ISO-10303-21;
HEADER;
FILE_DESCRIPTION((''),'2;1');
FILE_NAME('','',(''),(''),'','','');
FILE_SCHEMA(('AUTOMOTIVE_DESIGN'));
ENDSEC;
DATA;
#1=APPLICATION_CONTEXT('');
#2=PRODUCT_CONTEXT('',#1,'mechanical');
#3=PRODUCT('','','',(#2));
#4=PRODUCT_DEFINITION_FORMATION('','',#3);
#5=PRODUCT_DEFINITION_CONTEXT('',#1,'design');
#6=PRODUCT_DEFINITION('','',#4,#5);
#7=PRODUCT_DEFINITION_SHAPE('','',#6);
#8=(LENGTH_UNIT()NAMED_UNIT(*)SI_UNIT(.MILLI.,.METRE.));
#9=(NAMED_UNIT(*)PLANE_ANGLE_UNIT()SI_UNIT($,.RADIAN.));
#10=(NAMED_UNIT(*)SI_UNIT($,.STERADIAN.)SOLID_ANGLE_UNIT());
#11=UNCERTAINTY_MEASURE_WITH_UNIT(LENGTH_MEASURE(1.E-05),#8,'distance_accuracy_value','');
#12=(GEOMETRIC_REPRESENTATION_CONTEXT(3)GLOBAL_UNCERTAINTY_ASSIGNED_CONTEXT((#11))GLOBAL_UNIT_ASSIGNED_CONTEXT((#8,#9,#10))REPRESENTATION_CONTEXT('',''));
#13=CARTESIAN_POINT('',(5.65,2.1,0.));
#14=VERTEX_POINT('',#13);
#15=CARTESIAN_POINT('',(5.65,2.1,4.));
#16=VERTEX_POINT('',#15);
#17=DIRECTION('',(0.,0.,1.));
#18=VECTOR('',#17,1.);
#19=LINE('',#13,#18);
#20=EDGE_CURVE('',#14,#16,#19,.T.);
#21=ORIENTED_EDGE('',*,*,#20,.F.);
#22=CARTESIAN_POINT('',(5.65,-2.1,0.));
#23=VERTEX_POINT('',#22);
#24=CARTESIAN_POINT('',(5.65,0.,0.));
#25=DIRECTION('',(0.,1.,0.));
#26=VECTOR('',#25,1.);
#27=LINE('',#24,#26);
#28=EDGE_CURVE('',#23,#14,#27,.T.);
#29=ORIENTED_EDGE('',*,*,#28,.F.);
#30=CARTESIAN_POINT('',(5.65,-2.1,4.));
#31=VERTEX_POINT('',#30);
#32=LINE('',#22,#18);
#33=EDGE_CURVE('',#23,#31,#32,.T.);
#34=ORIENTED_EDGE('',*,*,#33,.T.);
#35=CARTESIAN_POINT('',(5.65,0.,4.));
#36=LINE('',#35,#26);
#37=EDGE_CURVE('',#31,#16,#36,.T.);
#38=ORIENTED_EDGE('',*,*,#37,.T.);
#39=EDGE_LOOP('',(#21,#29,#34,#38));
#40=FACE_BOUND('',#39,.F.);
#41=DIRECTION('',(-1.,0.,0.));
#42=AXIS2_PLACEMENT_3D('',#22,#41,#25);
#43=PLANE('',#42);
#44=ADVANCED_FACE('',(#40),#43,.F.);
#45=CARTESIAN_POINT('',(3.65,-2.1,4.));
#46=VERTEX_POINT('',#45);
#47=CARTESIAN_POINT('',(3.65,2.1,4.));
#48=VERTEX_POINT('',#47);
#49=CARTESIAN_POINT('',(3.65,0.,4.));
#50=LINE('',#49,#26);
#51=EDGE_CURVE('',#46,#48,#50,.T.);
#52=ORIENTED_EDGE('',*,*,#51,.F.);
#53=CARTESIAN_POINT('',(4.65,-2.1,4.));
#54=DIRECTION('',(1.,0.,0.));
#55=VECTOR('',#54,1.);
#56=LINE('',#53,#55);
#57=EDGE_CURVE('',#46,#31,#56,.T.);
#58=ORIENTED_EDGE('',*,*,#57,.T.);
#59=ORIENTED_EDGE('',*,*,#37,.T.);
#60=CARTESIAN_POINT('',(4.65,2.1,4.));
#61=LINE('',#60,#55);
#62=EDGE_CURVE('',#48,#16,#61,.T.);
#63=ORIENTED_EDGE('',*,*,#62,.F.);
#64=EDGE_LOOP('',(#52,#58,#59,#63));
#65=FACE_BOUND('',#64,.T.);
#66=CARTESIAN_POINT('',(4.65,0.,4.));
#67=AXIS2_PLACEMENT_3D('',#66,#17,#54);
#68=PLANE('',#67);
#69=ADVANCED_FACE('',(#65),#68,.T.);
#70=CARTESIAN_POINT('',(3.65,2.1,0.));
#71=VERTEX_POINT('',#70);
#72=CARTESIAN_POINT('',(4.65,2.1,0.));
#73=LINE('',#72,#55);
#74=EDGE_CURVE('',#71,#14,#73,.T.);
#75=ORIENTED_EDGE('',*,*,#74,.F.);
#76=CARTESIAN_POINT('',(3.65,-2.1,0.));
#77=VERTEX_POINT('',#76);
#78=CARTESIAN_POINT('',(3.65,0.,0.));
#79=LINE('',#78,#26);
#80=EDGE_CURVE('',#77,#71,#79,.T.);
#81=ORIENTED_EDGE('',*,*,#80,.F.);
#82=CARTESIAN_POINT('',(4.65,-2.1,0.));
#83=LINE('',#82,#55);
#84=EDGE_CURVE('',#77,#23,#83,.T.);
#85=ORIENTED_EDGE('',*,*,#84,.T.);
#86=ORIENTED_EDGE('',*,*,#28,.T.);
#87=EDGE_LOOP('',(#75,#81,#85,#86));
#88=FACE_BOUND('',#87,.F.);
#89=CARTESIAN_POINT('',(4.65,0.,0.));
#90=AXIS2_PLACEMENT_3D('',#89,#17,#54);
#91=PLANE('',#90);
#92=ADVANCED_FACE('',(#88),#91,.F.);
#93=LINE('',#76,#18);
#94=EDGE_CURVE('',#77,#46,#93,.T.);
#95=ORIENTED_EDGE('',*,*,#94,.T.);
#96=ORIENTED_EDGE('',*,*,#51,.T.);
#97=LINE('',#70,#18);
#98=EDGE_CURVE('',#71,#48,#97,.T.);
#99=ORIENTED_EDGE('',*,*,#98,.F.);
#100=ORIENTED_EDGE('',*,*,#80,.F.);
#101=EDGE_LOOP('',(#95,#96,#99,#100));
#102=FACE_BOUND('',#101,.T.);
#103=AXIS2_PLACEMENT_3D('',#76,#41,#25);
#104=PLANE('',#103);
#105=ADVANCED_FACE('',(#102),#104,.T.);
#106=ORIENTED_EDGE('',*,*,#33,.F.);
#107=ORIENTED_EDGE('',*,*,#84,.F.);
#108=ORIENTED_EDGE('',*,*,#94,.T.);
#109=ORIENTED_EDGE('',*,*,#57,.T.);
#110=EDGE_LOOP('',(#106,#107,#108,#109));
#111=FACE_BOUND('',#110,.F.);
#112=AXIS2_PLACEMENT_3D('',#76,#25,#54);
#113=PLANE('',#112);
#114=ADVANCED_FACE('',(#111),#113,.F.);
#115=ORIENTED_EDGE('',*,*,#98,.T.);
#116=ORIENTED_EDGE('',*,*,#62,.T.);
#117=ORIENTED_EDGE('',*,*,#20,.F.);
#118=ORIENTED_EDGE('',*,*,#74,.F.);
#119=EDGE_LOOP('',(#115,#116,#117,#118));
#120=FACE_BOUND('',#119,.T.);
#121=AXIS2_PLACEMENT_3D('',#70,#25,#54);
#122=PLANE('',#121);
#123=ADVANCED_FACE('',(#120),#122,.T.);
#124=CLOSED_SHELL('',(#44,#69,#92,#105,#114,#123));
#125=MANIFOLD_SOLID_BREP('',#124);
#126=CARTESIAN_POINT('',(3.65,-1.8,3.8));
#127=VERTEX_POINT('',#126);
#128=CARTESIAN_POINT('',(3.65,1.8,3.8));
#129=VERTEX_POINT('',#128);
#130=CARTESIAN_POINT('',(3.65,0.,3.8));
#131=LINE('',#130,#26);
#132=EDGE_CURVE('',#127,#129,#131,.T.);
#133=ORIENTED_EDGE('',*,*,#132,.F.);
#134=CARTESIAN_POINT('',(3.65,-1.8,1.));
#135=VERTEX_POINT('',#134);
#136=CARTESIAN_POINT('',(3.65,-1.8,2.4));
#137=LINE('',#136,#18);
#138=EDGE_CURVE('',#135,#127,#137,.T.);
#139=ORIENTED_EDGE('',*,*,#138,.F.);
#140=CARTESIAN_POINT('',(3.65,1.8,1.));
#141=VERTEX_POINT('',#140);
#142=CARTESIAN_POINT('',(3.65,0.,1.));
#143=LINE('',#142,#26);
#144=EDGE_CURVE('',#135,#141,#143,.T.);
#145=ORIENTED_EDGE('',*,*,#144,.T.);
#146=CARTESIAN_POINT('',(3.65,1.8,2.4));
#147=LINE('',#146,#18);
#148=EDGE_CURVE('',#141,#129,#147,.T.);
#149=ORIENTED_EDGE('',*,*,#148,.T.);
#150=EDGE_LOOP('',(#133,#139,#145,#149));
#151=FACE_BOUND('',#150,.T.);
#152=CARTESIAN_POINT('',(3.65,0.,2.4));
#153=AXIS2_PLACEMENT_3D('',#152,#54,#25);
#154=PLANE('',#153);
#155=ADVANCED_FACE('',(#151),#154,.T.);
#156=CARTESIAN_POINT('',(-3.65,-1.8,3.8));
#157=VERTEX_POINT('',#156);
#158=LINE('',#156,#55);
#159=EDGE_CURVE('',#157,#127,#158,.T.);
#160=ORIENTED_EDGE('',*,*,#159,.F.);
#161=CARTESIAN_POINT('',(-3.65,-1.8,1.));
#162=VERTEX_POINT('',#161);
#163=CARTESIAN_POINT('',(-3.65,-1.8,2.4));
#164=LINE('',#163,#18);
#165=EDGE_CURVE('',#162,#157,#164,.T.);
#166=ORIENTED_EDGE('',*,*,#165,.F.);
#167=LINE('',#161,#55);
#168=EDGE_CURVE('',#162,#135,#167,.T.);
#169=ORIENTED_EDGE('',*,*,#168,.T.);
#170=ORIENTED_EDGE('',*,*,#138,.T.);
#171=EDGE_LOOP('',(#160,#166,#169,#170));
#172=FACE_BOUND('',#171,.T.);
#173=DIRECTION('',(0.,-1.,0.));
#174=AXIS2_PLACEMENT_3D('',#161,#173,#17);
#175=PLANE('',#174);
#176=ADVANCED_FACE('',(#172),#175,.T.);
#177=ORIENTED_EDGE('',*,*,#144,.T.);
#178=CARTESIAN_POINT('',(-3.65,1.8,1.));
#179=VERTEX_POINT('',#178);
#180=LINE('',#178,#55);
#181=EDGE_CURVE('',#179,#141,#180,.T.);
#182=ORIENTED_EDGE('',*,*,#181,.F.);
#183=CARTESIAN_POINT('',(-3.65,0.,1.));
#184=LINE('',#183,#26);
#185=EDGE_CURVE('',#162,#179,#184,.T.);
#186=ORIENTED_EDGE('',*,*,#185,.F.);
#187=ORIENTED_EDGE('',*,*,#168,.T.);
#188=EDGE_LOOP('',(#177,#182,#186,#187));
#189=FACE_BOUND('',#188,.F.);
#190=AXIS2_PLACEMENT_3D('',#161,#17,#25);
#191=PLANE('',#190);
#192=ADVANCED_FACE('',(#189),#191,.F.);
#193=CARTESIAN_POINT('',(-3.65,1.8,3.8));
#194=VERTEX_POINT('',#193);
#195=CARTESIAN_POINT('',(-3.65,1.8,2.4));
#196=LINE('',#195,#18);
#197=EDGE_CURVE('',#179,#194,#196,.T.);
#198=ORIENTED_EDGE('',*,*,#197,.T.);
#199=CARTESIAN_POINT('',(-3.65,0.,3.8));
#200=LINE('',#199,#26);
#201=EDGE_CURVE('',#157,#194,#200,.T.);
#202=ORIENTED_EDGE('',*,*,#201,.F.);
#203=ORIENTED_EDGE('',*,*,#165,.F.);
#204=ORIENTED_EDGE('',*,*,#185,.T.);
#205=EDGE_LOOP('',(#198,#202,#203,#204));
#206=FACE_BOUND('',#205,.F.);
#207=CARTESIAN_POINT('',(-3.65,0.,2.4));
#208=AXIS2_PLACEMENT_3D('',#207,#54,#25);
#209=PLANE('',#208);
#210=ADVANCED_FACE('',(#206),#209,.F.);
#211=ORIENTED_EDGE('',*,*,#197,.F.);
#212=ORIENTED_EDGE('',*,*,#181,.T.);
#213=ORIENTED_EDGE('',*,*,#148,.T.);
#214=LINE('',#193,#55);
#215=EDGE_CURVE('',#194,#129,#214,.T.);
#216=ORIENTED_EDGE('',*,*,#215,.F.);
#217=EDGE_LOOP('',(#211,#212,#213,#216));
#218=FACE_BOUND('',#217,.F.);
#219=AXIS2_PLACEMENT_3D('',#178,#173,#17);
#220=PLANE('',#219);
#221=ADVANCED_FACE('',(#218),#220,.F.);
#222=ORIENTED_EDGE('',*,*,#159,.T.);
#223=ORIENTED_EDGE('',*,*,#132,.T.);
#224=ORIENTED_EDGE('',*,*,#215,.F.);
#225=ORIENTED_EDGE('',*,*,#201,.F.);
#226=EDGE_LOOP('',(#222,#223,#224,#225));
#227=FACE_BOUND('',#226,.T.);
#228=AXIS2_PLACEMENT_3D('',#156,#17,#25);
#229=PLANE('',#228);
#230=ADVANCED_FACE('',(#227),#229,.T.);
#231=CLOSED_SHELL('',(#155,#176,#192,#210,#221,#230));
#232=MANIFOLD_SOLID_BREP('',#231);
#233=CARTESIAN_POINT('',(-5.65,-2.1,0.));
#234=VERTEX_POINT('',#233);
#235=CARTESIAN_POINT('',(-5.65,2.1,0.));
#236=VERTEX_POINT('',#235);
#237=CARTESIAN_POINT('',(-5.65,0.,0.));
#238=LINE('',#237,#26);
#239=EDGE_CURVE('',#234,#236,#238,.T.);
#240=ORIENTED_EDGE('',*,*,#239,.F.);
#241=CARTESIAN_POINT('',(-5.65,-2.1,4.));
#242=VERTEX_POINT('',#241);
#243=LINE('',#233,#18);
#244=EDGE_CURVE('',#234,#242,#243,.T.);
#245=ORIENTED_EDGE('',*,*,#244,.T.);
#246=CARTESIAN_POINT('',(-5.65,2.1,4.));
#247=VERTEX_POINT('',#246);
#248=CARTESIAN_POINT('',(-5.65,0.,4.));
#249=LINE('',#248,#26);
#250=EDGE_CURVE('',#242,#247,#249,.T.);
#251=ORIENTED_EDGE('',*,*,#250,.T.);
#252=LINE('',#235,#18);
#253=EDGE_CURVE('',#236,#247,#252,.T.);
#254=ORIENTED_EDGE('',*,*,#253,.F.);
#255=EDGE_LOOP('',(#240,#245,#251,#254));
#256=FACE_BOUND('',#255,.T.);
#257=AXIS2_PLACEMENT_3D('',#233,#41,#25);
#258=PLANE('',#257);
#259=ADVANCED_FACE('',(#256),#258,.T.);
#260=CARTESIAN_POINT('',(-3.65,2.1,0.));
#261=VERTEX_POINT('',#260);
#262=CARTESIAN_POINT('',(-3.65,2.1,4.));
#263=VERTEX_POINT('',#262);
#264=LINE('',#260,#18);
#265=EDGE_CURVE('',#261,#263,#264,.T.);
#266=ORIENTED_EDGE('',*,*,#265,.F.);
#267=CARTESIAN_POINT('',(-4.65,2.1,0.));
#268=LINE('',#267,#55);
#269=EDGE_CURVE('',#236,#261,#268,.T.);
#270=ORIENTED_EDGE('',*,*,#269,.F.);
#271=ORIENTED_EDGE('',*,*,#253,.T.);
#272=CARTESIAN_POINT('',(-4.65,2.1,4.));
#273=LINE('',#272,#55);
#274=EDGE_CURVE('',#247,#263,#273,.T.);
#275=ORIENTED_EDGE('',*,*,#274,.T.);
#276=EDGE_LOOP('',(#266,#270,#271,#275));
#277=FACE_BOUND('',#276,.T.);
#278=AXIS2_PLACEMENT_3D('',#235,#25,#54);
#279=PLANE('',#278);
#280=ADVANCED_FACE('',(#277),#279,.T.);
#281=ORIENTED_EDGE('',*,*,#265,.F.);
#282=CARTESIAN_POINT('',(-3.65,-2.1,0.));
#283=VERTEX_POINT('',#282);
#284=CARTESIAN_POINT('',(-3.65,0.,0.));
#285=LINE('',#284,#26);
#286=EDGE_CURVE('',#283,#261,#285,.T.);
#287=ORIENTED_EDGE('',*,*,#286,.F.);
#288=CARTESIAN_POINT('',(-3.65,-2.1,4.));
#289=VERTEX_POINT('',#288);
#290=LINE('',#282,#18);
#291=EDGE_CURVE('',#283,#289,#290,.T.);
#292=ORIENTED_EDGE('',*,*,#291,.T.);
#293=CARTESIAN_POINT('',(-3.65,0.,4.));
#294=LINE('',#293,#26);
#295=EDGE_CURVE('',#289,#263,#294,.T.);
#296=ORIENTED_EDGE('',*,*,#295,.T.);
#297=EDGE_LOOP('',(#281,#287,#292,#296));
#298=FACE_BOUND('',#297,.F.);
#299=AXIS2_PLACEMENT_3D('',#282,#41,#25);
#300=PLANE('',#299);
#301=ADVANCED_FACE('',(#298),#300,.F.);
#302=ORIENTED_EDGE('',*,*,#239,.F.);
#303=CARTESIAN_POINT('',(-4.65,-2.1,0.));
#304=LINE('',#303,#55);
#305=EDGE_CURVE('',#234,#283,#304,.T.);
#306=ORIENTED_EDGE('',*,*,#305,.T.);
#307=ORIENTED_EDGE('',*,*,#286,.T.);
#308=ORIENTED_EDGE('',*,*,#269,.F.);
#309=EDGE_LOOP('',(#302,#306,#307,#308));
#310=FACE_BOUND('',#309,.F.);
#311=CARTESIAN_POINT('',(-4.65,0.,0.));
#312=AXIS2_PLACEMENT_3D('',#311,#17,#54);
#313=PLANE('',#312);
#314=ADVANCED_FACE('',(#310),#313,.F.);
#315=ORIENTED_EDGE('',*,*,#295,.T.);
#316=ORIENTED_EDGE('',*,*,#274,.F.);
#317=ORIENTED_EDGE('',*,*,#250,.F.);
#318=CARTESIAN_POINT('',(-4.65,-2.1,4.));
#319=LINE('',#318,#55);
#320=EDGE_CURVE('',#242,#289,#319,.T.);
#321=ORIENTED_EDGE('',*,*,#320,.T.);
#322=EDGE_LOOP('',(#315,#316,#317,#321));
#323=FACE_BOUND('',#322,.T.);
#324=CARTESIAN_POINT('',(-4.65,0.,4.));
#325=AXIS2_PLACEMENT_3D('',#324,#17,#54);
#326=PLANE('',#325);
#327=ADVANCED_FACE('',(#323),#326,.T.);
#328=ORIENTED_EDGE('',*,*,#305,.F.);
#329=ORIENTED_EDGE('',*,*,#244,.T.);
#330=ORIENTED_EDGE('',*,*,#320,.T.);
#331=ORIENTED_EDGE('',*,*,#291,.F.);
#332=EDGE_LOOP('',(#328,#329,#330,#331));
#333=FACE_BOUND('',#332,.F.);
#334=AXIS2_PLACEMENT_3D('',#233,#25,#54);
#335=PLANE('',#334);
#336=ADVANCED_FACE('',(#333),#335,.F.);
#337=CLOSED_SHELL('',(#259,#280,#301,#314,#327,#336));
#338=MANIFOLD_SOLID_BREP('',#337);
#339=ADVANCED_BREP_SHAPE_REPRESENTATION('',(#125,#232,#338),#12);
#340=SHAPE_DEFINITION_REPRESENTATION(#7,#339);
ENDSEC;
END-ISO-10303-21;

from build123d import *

# Parameters (mm, degrees)
F0_W     = 2
F0_H     = 4.2
F1_DEPTH = 4
F2_W     = 3.6
F2_H     = 2.8
F3_DEPTH = 7.3


with BuildPart() as f1:
    # F0 (on Top) → F1 (new body)
    with BuildSketch(Plane.XY):
        with Locations((-4.65, 0)):
            Rectangle(F0_W, F0_H)
        with Locations((4.65, 0)):
            Rectangle(F0_W, F0_H)
    extrude(amount=F1_DEPTH)


with BuildPart() as f3:
    # F2 (on face) → F3 (new body, through all)
    with BuildSketch(Plane.YZ.offset(-3.65)):
        with Locations((0, 2.4)):
            Rectangle(F2_W, F2_H)
    extrude(amount=F3_DEPTH)


solid = Compound([f1.part, f3.part])
